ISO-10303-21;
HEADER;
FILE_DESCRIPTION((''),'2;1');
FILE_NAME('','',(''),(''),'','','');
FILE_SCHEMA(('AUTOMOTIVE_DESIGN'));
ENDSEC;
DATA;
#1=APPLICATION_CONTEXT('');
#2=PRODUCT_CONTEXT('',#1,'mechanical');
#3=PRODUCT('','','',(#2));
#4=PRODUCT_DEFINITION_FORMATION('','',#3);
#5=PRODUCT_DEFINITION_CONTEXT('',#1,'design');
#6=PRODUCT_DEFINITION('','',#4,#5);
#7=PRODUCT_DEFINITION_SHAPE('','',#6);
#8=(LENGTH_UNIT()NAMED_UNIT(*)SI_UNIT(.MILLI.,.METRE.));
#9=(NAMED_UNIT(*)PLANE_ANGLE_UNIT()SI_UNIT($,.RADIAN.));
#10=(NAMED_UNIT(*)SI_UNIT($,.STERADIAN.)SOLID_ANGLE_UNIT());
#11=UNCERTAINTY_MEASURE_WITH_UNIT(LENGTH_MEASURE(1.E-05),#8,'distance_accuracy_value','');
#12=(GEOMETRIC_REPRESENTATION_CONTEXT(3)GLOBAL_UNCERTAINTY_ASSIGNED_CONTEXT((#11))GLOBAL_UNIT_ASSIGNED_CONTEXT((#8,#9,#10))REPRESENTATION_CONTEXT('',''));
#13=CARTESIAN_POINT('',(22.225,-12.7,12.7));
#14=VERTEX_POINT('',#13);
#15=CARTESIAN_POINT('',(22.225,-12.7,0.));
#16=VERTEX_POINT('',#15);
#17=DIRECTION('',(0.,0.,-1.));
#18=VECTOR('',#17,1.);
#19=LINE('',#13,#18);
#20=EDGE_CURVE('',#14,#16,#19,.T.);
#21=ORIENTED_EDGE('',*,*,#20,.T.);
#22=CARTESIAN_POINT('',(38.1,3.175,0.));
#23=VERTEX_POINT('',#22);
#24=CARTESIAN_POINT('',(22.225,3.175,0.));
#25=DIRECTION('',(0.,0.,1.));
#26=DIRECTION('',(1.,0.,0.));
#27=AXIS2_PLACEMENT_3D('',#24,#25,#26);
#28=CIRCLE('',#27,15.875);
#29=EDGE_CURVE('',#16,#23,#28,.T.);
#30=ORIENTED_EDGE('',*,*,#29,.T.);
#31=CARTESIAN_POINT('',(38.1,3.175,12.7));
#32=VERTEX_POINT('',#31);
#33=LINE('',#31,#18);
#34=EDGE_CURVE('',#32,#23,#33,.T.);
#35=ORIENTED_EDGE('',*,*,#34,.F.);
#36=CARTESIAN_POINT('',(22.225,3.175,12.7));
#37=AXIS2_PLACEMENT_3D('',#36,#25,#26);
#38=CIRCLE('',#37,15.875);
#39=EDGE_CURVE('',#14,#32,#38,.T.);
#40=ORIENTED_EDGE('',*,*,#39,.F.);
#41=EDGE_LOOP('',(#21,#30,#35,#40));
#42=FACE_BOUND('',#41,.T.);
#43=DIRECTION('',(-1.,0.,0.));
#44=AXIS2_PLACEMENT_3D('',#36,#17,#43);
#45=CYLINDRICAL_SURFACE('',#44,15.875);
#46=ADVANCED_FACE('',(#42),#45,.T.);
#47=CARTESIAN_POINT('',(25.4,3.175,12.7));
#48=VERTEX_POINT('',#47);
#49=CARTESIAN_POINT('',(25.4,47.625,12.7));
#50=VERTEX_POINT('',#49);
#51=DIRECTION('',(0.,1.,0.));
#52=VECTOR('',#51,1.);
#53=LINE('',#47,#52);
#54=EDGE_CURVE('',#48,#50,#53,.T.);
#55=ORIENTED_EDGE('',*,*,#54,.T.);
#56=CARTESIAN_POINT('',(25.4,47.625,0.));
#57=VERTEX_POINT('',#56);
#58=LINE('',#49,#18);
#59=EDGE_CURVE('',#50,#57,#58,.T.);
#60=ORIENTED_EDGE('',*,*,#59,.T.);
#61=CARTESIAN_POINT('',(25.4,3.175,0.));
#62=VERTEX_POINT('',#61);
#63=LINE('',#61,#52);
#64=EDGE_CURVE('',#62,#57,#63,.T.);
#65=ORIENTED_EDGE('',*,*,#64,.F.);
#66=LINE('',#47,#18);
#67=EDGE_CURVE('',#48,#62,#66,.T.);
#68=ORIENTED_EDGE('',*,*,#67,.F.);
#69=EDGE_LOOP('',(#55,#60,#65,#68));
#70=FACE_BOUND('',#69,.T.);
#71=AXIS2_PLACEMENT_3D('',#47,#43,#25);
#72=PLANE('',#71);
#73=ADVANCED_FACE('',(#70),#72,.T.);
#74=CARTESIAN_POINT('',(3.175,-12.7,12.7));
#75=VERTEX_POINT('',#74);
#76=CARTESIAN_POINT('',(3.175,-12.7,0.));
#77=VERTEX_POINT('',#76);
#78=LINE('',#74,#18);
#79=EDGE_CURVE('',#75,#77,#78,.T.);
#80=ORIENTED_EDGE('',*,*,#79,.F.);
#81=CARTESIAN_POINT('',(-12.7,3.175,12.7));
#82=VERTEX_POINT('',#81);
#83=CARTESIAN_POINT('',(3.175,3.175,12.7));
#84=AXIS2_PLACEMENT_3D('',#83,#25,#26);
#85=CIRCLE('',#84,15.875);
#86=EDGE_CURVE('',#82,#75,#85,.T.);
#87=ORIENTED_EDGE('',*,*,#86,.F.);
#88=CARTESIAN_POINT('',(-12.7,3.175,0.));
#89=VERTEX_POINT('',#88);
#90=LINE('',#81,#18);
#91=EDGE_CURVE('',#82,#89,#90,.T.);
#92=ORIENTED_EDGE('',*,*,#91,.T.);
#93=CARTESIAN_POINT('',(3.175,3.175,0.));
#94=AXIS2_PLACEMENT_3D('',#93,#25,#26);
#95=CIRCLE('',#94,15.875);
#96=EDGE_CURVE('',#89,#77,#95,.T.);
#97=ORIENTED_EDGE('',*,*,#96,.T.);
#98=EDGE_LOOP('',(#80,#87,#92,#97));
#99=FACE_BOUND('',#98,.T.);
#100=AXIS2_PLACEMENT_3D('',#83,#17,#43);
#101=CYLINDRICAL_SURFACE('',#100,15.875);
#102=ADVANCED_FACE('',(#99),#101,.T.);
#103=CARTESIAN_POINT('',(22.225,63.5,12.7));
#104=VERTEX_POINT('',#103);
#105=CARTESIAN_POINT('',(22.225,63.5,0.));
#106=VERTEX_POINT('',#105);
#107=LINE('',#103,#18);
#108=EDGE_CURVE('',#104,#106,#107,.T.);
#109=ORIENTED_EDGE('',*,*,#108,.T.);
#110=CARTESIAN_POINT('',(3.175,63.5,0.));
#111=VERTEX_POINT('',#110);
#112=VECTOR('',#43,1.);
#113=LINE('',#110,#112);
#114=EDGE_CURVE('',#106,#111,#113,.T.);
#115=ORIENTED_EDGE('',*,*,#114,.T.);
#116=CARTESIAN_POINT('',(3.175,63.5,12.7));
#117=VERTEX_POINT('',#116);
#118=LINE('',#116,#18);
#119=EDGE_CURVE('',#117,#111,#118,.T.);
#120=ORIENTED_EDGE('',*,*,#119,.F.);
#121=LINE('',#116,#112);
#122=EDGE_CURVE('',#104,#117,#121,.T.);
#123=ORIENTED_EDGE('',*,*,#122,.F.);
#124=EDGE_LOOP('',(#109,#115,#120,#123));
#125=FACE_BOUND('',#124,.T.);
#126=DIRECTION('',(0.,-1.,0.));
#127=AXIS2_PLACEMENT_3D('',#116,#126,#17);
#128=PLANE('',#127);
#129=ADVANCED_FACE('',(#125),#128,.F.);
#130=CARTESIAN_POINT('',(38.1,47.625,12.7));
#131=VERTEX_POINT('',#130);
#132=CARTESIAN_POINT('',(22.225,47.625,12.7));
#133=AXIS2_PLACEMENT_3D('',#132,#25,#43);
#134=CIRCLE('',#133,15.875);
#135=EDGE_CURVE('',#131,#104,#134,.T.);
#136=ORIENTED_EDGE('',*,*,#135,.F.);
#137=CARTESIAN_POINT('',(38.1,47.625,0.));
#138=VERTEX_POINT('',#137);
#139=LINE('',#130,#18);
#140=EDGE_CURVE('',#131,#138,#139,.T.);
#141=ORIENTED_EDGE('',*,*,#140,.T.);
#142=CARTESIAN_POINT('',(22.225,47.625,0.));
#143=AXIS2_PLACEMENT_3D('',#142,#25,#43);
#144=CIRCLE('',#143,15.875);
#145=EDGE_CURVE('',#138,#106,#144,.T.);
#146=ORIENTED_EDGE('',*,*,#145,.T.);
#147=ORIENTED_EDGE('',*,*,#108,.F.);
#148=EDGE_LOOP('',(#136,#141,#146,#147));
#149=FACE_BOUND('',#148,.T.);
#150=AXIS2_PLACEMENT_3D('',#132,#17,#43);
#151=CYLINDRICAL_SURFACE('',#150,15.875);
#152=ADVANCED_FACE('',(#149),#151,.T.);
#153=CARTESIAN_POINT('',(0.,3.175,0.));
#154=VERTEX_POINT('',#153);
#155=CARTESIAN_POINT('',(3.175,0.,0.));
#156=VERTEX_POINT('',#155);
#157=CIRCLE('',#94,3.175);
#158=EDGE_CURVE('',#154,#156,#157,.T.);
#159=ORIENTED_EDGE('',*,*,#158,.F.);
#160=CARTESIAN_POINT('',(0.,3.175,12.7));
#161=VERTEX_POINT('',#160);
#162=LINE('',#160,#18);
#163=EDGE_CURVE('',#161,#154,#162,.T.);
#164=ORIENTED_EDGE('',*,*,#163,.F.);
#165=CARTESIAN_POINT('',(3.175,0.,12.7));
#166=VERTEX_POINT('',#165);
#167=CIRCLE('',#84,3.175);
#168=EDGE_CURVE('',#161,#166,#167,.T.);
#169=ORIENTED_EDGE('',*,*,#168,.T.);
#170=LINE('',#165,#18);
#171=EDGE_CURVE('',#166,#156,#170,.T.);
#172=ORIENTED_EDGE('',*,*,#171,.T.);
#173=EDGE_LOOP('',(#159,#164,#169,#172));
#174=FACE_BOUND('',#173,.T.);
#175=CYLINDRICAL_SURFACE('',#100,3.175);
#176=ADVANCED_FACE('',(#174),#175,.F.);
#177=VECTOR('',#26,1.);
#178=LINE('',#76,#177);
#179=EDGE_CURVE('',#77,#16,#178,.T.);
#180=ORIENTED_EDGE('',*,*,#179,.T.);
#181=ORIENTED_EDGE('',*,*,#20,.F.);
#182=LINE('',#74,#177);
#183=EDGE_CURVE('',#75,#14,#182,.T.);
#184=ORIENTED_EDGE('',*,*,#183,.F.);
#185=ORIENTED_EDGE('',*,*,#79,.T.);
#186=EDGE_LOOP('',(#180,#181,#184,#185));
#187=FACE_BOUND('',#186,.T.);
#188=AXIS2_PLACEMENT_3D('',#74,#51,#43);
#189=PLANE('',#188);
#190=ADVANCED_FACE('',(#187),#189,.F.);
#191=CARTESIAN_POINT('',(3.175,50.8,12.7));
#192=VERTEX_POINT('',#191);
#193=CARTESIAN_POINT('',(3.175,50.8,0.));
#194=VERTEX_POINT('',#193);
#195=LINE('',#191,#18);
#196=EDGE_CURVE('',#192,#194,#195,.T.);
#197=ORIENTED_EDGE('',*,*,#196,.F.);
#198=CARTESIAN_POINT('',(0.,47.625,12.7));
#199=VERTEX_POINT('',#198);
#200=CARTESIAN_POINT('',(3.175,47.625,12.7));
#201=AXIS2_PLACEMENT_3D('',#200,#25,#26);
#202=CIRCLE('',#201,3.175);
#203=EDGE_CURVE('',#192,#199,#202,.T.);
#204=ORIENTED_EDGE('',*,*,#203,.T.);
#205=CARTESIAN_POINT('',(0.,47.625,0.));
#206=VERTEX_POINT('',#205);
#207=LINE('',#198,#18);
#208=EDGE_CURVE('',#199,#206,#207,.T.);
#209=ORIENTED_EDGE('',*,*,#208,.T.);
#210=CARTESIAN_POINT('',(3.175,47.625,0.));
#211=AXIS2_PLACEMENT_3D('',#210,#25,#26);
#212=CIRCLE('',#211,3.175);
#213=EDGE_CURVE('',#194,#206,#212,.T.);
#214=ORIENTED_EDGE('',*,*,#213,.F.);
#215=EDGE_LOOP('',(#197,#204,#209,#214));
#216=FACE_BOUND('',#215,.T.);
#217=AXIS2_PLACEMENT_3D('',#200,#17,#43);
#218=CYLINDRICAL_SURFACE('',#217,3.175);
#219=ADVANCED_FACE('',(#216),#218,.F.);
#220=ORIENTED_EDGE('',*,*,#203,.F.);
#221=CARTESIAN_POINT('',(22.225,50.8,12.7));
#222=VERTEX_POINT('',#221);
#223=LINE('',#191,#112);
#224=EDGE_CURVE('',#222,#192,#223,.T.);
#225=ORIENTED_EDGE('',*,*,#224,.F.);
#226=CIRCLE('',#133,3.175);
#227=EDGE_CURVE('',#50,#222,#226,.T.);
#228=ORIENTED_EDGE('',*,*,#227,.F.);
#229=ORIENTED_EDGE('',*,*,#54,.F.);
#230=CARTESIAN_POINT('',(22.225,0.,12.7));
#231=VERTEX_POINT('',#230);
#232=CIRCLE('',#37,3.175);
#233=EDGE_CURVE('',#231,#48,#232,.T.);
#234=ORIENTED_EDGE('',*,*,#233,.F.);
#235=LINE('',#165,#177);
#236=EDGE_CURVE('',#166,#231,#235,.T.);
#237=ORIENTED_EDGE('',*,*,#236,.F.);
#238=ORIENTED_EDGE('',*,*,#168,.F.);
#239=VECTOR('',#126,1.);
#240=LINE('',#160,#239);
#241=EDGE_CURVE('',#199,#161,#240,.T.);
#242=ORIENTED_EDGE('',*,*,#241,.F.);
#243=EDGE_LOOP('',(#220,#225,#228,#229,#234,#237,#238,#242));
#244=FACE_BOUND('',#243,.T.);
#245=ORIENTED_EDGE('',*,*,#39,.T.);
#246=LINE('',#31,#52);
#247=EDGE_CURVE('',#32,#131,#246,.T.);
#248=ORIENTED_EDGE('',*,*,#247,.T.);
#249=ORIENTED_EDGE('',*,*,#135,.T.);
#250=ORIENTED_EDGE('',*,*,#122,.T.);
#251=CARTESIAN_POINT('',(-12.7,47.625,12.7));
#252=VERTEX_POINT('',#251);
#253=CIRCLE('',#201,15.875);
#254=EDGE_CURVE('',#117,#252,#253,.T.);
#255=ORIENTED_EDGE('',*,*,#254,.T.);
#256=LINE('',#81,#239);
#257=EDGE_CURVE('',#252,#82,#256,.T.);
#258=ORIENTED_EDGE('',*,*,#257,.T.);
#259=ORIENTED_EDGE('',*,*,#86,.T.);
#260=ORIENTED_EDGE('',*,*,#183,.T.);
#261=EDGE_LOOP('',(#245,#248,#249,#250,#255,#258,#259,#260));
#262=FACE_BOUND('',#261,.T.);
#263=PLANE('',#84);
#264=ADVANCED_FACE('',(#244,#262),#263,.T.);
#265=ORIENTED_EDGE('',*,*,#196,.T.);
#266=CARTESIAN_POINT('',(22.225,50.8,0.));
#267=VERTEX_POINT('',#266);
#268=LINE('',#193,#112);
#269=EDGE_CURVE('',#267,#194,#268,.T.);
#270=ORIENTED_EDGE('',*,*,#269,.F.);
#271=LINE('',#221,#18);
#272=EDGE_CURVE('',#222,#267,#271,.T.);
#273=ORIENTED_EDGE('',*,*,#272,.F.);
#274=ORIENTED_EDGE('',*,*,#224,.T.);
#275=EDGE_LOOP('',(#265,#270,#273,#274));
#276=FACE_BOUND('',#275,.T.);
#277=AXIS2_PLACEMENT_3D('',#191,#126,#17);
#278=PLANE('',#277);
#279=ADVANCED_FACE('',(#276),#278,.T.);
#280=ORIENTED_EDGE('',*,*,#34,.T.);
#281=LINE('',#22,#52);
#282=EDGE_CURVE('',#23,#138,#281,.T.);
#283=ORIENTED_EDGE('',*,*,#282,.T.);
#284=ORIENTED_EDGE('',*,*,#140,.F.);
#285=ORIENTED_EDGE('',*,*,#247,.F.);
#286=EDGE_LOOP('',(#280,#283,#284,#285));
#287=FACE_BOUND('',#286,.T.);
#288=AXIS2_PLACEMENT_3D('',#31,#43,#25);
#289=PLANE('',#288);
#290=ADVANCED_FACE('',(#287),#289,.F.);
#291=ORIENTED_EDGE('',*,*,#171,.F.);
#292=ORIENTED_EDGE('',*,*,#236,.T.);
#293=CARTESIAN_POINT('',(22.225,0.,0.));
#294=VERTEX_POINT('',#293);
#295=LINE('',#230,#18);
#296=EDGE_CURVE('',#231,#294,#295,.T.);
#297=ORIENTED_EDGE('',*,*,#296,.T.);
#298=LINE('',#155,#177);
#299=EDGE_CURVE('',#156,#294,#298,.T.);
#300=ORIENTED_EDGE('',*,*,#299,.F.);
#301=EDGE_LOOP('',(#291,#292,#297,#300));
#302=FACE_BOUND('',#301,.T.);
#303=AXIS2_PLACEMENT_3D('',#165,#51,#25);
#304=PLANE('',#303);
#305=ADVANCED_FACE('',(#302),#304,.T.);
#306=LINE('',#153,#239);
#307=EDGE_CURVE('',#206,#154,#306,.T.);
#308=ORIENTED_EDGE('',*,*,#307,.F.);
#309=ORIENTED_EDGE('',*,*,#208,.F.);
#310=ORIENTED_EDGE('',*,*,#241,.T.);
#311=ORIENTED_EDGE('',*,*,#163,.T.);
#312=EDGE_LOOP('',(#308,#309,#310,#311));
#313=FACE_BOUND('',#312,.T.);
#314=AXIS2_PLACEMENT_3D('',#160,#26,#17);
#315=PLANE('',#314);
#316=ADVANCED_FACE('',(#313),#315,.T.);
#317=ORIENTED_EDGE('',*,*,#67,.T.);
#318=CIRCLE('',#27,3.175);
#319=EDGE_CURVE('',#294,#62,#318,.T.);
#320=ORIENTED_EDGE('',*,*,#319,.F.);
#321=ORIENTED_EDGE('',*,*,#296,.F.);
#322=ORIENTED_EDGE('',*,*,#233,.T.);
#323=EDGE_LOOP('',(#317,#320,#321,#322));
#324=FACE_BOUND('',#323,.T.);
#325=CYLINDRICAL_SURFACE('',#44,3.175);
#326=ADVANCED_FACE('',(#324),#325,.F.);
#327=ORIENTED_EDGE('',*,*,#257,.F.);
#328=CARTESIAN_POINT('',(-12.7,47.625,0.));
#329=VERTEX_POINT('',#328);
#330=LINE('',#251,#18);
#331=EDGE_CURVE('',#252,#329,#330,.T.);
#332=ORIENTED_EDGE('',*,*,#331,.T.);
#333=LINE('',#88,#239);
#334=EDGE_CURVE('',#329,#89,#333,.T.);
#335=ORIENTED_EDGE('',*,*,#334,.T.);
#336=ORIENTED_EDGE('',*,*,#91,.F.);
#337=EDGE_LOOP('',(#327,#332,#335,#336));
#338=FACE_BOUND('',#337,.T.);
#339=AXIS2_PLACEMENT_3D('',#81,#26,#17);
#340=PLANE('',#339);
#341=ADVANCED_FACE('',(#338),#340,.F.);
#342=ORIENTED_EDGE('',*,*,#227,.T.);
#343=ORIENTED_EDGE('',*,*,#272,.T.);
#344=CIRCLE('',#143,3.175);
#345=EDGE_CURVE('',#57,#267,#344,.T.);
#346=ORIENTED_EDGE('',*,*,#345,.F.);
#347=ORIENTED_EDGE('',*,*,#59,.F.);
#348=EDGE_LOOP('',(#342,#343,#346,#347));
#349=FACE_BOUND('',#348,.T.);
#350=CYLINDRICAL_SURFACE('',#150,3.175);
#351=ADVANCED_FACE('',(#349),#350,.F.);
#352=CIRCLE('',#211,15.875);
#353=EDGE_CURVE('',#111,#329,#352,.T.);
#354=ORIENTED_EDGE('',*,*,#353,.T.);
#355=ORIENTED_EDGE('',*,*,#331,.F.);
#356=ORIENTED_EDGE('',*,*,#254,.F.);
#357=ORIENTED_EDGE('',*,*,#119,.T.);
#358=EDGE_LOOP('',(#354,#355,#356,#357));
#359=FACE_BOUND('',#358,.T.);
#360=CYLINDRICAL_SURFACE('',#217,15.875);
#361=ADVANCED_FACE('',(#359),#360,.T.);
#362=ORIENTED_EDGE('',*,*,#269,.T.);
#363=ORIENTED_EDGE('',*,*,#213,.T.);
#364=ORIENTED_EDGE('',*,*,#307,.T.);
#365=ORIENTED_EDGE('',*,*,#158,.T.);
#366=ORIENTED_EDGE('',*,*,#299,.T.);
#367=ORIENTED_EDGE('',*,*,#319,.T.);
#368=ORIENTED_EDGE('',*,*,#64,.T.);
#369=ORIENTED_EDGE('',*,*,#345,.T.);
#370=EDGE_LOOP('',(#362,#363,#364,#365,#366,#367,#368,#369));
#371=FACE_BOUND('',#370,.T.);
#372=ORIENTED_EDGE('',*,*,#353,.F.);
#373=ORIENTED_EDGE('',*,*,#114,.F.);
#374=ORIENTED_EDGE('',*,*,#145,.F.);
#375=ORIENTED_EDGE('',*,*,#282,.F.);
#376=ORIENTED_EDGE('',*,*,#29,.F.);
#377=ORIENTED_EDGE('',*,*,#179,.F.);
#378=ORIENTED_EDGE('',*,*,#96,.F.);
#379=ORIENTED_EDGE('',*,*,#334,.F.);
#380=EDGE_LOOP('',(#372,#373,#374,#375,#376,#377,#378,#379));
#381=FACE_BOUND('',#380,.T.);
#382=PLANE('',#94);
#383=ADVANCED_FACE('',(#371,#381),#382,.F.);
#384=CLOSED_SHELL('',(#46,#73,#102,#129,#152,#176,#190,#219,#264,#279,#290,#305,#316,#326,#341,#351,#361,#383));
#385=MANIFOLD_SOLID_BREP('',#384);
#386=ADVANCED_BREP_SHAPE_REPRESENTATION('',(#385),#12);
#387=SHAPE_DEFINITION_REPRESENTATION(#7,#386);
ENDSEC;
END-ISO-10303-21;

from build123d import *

# Parameters (mm, degrees)
BOSS_EXTRUDE1_DEPTH = 12.7


with BuildPart() as part:
    # Sketch2 → Boss-Extrude1 (new body)
    with BuildSketch(Plane.XY):
        with BuildLine():
            Line((-12.7, 3.175), (-12.7, 47.625))
            ThreePointArc((-12.7, 47.625), (-8.050320151, 58.850320151), (3.175, 63.5))
            Line((3.175, 63.5), (22.225, 63.5))
            ThreePointArc((22.225, 63.5), (33.450320151, 58.850320151), (38.1, 47.625))
            Line((38.1, 47.625), (38.1, 3.175))
            ThreePointArc((38.1, 3.175), (33.450320151, -8.050320151), (22.225, -12.7))
            Line((22.225, -12.7), (3.175, -12.7))
            ThreePointArc((3.175, -12.7), (-8.050320151, -8.050320151), (-12.7, 3.175))
        make_face()
        with BuildLine():
            Line((3.175, 0), (22.225, 0))
            ThreePointArc((22.225, 0), (24.47006403, 0.92993597), (25.4, 3.175))
            Line((25.4, 3.175), (25.4, 47.625))
            ThreePointArc((25.4, 47.625), (24.47006403, 49.87006403), (22.225, 50.8))
            Line((22.225, 50.8), (3.175, 50.8))
            ThreePointArc((3.175, 50.8), (0.92993597, 49.87006403), (0, 47.625))
            Line((0, 47.625), (0, 3.175))
            ThreePointArc((0, 3.175), (0.92993597, 0.92993597), (3.175, 0))
        make_face(mode=Mode.SUBTRACT)
    extrude(amount=BOSS_EXTRUDE1_DEPTH)


solid = part.part
